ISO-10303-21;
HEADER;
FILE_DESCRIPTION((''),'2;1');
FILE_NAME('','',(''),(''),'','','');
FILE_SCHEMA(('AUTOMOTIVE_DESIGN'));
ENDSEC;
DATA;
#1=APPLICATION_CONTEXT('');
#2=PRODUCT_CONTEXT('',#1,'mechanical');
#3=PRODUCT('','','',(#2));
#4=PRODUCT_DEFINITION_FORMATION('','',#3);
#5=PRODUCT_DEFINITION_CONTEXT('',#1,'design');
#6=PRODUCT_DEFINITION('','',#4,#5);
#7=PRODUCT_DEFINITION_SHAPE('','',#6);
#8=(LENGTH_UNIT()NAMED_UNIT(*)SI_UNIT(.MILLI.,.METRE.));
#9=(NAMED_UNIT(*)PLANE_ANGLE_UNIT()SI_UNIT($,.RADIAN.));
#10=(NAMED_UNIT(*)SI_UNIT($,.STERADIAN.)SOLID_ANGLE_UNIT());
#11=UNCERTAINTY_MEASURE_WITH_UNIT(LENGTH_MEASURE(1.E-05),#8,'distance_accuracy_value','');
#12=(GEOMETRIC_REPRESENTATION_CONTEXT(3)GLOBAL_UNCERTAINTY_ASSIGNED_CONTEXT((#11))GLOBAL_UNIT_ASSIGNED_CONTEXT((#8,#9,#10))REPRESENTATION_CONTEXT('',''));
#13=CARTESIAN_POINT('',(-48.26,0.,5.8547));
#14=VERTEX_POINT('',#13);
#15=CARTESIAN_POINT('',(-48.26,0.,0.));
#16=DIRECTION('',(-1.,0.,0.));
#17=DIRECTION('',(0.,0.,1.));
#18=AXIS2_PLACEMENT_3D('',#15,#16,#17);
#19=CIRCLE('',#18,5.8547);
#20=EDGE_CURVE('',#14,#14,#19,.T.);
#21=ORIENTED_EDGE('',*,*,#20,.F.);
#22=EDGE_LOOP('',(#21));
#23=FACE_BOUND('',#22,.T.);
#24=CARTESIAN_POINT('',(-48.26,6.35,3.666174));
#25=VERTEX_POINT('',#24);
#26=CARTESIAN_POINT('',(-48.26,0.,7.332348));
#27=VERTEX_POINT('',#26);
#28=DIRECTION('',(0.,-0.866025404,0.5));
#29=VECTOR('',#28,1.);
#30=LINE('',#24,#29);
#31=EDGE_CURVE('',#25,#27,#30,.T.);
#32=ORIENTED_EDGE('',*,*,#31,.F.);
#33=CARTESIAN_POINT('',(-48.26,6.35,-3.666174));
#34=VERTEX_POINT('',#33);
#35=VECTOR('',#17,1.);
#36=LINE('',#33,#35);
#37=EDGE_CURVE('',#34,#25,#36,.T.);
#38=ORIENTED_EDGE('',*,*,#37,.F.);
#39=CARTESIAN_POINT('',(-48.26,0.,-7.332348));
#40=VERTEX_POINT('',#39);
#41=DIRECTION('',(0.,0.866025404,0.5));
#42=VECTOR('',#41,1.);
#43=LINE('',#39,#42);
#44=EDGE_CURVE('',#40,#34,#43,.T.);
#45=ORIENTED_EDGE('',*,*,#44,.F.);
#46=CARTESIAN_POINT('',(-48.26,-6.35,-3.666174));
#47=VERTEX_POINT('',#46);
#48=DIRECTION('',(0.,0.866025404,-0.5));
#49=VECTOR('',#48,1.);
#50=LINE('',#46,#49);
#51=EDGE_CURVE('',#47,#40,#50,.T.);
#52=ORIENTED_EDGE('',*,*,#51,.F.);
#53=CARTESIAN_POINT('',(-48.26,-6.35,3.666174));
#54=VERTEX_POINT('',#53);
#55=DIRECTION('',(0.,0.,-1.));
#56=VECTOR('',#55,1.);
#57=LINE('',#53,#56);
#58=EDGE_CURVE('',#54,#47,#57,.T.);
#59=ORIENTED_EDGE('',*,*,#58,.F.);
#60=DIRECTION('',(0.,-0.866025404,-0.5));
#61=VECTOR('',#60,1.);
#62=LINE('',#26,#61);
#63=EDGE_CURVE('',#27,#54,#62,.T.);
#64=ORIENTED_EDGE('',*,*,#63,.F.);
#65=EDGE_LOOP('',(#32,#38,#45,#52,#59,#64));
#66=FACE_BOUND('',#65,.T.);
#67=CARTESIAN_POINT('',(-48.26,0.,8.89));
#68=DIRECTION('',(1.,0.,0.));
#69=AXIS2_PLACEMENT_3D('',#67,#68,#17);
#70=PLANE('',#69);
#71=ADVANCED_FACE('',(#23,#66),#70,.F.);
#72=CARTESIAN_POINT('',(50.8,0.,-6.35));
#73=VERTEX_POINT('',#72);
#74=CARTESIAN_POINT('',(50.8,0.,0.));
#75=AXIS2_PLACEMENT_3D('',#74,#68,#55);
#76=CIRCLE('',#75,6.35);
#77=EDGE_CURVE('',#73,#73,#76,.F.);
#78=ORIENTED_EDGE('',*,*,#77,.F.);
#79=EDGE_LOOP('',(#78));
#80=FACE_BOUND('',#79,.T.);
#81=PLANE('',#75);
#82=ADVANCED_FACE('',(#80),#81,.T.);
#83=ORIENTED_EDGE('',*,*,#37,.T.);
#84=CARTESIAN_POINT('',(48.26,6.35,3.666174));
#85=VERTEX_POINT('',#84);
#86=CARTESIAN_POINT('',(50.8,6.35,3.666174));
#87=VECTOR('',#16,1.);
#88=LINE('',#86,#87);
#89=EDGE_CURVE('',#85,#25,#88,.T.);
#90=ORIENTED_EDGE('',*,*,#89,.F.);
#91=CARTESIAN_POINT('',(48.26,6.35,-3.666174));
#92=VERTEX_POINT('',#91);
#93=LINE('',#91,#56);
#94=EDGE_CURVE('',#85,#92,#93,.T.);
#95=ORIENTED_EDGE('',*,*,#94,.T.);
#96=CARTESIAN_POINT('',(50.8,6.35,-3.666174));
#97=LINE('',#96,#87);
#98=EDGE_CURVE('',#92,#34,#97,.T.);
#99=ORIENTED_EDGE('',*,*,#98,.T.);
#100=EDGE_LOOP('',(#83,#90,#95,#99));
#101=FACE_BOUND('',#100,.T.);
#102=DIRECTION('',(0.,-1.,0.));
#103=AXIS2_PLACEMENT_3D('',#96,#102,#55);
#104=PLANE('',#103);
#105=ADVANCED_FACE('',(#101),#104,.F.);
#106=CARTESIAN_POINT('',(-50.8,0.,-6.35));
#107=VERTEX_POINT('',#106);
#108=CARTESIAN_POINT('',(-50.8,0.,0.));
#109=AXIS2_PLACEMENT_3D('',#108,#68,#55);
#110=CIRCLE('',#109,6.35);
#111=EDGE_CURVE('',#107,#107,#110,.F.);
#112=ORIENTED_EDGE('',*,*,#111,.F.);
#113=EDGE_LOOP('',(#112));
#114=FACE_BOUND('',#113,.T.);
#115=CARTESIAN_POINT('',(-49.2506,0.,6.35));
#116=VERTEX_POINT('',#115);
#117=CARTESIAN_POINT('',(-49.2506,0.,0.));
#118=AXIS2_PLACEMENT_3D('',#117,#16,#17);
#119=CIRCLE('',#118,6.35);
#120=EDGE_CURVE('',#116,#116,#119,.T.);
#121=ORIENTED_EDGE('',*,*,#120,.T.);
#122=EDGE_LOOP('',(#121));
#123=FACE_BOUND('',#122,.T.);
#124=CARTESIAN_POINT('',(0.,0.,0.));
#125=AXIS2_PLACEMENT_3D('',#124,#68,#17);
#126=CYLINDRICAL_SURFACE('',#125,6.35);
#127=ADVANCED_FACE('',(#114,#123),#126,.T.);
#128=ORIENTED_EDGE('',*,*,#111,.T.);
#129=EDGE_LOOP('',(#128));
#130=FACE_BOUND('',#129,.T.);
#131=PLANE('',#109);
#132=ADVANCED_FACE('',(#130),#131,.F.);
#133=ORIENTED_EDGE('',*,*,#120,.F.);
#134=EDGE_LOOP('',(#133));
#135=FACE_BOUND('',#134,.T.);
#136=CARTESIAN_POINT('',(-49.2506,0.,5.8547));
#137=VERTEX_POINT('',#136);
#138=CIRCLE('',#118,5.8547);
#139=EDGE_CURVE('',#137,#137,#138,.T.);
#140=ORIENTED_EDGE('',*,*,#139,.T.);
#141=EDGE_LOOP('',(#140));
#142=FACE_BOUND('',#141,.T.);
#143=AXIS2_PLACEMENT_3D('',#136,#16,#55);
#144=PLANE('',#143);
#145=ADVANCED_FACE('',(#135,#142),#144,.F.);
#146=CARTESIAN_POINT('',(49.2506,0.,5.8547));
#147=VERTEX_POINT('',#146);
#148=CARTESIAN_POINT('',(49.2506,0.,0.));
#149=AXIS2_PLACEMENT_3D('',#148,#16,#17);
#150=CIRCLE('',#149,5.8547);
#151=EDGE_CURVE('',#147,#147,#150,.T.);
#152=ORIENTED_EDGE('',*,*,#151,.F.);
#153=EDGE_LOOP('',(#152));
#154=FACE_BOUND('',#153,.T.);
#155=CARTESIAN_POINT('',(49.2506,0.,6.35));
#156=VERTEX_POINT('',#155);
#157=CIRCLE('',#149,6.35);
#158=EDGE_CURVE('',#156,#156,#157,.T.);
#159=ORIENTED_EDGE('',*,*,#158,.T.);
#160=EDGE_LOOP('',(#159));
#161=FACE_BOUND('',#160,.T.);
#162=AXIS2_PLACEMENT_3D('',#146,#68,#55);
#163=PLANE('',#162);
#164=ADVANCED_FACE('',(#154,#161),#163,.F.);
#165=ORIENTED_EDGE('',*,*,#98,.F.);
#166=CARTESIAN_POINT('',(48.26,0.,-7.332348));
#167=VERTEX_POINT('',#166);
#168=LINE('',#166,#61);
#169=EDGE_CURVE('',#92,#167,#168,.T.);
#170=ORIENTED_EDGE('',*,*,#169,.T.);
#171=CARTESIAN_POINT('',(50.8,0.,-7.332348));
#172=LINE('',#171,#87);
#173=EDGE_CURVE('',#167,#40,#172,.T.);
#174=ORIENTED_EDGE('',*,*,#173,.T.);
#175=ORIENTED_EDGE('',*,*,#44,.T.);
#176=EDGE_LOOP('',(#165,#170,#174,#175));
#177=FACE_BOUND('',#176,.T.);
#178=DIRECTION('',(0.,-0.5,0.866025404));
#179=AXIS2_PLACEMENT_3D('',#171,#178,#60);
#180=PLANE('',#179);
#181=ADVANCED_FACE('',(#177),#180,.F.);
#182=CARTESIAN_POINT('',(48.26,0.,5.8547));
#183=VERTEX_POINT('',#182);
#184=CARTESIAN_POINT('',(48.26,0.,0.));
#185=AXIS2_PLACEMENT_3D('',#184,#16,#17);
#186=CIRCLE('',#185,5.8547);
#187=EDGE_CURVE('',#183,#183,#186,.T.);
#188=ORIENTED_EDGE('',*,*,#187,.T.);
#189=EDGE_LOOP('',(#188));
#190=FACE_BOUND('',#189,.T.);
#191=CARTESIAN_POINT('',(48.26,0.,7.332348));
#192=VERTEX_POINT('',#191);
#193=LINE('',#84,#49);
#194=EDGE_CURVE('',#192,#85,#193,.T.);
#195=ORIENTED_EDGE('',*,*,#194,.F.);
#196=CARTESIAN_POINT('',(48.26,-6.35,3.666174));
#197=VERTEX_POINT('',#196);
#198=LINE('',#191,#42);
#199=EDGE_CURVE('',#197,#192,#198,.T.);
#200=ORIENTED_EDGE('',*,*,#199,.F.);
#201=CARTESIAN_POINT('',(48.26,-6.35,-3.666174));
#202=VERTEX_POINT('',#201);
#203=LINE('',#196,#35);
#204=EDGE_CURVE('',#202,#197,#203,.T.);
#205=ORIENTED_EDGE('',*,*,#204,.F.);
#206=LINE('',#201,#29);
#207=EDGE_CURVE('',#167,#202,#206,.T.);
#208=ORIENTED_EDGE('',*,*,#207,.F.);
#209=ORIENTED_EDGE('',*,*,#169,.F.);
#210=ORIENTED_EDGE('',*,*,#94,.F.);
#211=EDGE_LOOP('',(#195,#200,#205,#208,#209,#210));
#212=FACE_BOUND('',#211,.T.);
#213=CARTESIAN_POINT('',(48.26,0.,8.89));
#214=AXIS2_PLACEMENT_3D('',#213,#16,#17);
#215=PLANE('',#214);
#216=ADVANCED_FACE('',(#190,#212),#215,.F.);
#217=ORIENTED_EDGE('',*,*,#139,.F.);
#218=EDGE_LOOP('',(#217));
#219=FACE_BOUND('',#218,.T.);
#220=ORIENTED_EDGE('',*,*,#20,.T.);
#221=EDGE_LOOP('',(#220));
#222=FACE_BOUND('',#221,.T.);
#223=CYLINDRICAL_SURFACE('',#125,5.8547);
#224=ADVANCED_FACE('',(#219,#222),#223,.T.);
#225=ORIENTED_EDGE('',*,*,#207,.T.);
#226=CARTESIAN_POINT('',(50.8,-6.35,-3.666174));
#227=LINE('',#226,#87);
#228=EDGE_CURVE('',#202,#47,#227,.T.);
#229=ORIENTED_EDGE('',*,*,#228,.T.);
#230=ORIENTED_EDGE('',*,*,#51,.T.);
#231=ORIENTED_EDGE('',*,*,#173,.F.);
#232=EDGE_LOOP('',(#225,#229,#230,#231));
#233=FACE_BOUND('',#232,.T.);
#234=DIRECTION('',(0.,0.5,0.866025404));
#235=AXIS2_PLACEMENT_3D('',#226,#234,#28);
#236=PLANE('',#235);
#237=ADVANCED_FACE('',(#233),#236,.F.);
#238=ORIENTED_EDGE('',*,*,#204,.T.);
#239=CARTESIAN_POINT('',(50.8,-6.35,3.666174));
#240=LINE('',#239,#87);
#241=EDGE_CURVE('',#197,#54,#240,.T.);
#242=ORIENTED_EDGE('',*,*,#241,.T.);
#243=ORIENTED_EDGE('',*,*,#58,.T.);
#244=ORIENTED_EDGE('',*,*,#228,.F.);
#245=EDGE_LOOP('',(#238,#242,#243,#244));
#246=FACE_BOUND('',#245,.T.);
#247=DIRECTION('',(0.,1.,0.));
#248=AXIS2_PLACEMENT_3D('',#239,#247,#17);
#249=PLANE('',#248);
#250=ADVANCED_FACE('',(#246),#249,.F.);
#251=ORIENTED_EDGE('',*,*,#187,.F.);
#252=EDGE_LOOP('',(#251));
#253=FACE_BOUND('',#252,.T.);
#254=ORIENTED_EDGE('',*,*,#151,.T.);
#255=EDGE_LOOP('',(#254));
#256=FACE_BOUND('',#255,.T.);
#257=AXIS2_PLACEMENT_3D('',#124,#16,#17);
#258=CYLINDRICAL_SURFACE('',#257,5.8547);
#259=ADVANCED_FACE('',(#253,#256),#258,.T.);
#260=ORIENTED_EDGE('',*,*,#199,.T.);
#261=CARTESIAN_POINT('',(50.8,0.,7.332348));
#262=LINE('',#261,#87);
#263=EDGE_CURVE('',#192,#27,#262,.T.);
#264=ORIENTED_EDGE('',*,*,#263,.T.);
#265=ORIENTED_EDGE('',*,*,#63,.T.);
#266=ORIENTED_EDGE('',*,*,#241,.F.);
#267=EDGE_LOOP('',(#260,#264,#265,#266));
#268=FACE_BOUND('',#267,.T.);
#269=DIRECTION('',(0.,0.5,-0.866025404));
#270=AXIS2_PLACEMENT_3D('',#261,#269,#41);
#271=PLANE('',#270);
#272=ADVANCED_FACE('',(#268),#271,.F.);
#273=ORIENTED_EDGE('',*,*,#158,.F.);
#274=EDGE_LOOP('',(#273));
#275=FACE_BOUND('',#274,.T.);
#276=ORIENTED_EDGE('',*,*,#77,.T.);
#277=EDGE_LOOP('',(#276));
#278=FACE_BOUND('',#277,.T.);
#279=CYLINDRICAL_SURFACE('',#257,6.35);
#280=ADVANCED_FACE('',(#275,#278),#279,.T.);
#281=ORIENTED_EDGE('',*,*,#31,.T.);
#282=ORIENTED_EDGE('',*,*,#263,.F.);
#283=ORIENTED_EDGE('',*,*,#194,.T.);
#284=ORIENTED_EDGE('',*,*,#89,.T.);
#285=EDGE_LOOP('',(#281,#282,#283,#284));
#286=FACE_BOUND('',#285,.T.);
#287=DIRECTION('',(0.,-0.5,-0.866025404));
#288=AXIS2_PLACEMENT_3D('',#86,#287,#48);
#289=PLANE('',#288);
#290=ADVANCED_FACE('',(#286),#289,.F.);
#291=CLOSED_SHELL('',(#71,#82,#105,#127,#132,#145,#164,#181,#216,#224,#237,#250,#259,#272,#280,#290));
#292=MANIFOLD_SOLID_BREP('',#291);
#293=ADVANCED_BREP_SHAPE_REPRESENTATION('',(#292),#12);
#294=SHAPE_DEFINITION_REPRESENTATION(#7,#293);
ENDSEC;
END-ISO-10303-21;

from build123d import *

# Parameters (mm, degrees)
BOSS_EXTRUDE1_DEPTH = 50.8


with BuildPart() as part:
    # Sketch1 → Boss-Extrude1 (new, symmetric)
    with BuildSketch(Plane(origin=(0, 0, 0), x_dir=(0, 0, -1), z_dir=(1, 0, 0))):
        Polygon((7.332348419, 0), (3.666174209, 6.35), (-3.666174209, 6.35), (-7.332348419, 0), (-3.666174209, -6.35), (3.666174209, -6.35), align=None)
    extrude(amount=BOSS_EXTRUDE1_DEPTH, both=True)

    # Sketch2 → Cut-Revolve1 (revolve, cut)
    with BuildSketch(Plane(origin=(0, 0, 0), x_dir=(1, 0, 0), z_dir=(0, 1, 0))):
        Polygon((48.26, -5.8547), (49.2506, -5.8547), (49.2506, -6.35), (50.8, -6.35), (50.8, -8.89), (48.26, -8.89), align=None)
    cut_revolve1 = revolve(axis=Axis((0, 0, 0), (1, 0, 0)), mode=Mode.SUBTRACT)

    # Mirror1: Cut-Revolve1 across plane
    add(cut_revolve1.mirror(Plane(origin=(0, 0, 0), x_dir=(0, 0, 1), z_dir=(1, 0, 0))), mode=Mode.SUBTRACT)


solid = part.part
